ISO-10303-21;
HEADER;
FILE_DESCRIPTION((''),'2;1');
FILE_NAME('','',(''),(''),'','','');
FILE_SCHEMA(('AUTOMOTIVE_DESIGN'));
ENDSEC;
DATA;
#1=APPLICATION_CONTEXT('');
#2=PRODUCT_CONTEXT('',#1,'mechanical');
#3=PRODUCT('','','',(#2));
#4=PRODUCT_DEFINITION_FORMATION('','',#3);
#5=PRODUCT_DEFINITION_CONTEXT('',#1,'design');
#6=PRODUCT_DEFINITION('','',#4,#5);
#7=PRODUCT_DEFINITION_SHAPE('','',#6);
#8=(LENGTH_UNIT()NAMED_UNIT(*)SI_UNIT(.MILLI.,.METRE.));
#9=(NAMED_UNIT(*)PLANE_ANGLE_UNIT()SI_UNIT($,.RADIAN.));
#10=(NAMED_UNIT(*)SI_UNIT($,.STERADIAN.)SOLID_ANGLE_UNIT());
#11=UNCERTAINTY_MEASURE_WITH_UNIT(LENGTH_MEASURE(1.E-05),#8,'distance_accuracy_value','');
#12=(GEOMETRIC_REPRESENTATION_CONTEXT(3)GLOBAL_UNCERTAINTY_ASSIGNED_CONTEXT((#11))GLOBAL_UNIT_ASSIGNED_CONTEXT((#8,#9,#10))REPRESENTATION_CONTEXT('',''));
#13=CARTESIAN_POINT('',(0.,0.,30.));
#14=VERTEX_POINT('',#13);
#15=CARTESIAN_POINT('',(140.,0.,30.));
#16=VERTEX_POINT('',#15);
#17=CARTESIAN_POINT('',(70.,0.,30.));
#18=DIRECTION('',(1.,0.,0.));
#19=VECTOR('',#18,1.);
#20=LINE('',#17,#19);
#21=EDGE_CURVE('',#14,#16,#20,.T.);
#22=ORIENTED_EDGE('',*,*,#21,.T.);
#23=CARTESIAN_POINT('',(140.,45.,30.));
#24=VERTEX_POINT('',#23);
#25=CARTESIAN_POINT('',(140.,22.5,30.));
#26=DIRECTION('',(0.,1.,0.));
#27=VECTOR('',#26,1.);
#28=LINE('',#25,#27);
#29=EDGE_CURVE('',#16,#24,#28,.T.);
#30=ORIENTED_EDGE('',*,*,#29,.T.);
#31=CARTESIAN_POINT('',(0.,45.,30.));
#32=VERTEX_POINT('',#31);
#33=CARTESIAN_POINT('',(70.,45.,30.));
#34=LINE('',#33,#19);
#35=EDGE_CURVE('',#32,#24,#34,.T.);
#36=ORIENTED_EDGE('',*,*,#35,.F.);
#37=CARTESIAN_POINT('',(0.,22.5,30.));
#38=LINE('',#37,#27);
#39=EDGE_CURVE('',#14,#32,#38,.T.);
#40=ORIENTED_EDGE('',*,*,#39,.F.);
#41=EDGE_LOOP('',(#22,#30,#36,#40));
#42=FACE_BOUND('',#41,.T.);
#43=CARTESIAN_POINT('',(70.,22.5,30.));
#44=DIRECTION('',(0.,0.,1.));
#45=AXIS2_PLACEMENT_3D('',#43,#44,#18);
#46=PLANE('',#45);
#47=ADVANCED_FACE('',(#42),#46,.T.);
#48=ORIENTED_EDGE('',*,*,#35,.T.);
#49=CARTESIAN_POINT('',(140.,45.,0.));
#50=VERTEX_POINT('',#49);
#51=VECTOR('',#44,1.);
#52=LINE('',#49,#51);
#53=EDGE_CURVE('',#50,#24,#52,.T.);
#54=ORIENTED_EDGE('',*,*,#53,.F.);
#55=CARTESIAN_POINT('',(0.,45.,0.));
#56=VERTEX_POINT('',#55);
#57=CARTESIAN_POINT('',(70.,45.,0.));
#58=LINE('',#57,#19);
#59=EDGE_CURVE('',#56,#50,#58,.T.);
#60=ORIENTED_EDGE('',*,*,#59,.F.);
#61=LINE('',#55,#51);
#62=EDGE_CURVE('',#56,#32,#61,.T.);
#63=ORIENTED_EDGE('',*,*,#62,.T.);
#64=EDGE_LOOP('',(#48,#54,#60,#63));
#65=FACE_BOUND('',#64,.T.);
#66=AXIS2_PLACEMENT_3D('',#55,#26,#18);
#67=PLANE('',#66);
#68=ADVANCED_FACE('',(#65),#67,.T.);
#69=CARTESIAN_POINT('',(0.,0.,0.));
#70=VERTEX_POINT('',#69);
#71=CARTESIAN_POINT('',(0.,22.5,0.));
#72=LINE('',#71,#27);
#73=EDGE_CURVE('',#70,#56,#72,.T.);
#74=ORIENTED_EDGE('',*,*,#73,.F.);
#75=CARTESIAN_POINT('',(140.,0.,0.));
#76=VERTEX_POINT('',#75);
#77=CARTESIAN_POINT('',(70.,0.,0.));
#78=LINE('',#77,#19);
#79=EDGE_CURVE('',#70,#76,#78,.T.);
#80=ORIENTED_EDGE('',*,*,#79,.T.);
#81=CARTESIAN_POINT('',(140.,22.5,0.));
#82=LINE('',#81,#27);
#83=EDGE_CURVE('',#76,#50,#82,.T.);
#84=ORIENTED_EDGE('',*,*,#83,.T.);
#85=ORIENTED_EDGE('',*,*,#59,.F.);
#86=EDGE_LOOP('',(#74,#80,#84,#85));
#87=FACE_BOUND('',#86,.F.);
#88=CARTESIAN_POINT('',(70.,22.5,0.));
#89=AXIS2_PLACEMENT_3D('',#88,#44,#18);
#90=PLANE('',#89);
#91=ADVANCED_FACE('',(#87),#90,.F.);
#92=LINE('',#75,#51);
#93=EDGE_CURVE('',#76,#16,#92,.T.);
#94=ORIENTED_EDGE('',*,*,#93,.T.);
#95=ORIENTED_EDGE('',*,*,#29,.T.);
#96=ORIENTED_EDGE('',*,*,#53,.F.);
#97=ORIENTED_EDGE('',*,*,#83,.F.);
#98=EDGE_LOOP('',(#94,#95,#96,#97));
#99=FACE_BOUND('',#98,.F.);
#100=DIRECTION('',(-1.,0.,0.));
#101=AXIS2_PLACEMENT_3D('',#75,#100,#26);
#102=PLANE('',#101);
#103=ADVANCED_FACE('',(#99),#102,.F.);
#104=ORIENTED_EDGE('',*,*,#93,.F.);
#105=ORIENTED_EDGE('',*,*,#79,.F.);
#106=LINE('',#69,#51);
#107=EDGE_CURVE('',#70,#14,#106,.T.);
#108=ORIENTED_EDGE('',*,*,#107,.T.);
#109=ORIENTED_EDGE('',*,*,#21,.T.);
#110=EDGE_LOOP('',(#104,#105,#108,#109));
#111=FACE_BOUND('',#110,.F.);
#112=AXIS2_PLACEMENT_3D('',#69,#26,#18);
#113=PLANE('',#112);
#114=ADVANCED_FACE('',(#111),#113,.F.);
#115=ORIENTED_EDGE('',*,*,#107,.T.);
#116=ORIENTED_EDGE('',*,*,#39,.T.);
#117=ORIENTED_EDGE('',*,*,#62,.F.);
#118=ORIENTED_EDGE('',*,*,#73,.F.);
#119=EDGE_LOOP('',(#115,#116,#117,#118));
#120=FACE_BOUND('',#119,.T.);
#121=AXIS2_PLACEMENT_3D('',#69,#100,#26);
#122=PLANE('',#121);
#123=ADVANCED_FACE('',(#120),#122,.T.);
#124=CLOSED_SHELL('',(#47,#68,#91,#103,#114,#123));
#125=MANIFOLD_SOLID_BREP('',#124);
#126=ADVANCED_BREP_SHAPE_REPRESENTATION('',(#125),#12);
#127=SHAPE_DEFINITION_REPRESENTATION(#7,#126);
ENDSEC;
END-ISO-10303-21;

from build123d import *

# Parameters (mm, degrees)
BOX_W     = 140
BOX_H     = 45
BOX_DEPTH = 30


with BuildPart() as part:
    # Box → Box (new body)
    with BuildSketch(Plane.XY):
        with Locations((70, 22.5)):
            Rectangle(BOX_W, BOX_H)
    extrude(amount=BOX_DEPTH)


solid = part.part
